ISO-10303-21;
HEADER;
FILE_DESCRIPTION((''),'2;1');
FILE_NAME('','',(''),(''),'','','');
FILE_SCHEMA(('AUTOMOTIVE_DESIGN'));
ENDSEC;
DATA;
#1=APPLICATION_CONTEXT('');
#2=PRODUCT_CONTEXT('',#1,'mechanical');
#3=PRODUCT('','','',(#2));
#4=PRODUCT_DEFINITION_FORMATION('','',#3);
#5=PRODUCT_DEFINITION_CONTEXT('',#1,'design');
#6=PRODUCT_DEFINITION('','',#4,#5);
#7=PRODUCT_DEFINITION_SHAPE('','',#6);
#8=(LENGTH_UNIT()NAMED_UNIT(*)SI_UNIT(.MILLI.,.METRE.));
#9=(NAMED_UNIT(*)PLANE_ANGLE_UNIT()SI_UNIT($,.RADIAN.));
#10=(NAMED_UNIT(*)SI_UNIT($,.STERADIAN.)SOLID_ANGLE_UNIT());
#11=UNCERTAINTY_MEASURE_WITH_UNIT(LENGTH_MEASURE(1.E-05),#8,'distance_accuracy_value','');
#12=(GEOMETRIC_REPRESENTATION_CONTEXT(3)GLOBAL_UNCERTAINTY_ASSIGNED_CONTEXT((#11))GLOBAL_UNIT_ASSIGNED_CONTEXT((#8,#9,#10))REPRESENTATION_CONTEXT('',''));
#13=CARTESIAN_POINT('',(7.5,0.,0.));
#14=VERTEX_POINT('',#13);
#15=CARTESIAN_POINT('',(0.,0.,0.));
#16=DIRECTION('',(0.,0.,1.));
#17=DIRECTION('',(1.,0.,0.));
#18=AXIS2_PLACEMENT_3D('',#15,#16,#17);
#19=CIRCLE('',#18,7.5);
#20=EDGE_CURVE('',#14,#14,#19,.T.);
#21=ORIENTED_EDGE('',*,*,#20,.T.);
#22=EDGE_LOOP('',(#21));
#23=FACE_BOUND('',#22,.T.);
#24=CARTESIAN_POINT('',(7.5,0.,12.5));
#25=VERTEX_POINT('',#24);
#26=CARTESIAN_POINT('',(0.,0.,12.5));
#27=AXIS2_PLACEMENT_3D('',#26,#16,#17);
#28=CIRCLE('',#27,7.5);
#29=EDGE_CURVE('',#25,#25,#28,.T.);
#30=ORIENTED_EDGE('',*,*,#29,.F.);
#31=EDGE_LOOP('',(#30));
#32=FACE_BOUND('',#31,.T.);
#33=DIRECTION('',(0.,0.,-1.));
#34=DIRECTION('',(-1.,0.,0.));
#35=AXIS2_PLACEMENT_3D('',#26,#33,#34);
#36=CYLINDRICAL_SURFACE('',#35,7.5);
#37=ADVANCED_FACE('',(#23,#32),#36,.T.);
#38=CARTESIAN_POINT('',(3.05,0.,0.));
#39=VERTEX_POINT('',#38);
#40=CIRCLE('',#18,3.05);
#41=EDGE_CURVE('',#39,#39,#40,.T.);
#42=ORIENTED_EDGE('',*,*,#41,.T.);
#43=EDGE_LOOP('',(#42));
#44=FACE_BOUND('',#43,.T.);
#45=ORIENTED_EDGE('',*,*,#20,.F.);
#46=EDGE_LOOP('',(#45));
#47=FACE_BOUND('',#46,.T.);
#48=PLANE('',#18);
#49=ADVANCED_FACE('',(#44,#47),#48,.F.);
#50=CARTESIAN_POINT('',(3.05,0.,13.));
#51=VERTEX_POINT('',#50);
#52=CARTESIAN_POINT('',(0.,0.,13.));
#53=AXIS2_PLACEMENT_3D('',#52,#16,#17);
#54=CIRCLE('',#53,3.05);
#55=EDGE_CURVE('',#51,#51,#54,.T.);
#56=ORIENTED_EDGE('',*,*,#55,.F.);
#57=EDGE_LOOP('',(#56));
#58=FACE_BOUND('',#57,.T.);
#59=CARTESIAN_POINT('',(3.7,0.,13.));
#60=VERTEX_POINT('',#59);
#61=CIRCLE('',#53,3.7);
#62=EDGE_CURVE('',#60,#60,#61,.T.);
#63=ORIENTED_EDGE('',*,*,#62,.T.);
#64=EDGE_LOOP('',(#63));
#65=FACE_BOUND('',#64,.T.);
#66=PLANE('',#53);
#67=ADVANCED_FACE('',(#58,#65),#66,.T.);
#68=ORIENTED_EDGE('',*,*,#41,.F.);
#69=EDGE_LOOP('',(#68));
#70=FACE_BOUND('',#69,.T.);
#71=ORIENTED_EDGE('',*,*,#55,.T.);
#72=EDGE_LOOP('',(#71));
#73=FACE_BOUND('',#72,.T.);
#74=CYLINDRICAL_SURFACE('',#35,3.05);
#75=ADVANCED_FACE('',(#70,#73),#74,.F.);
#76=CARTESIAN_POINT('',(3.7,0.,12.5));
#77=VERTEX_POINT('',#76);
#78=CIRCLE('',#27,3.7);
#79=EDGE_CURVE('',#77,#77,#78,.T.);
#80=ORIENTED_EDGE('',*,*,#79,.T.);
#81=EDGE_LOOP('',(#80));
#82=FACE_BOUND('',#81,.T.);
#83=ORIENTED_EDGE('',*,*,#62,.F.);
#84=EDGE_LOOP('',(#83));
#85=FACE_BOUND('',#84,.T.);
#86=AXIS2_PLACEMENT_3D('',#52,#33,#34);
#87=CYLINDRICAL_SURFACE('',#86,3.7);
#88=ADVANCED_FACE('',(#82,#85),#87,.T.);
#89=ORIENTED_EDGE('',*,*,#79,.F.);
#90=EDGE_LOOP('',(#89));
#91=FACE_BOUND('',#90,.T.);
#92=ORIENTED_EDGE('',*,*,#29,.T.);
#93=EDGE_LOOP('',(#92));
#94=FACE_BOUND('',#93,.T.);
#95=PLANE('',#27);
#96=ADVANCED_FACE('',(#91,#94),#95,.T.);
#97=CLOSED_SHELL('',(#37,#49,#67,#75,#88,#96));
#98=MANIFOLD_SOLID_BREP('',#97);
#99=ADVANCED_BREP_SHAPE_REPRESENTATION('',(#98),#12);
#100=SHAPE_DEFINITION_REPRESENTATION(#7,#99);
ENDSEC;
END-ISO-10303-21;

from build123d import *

# Parameters (mm, degrees)
SKETCH1_R           = 7.5
SKETCH1_R_2         = 3.05
BOSS_EXTRUDE1_DEPTH = 12.5
SKETCH2_R           = 3.7
SKETCH2_R_2         = 3.05
BOSS_EXTRUDE2_DEPTH = 0.5


with BuildPart() as part:
    # Sketch1 → Boss-Extrude1 (new body)
    with BuildSketch(Plane.XY):
        Circle(SKETCH1_R)
        Circle(SKETCH1_R_2, mode=Mode.SUBTRACT)
    extrude(amount=BOSS_EXTRUDE1_DEPTH)

    # Sketch2 → Boss-Extrude2 (add)
    with BuildSketch(Plane.XY.offset(12.5)):
        Circle(SKETCH2_R)
        Circle(SKETCH2_R_2, mode=Mode.SUBTRACT)
    extrude(amount=BOSS_EXTRUDE2_DEPTH)


solid = part.part
